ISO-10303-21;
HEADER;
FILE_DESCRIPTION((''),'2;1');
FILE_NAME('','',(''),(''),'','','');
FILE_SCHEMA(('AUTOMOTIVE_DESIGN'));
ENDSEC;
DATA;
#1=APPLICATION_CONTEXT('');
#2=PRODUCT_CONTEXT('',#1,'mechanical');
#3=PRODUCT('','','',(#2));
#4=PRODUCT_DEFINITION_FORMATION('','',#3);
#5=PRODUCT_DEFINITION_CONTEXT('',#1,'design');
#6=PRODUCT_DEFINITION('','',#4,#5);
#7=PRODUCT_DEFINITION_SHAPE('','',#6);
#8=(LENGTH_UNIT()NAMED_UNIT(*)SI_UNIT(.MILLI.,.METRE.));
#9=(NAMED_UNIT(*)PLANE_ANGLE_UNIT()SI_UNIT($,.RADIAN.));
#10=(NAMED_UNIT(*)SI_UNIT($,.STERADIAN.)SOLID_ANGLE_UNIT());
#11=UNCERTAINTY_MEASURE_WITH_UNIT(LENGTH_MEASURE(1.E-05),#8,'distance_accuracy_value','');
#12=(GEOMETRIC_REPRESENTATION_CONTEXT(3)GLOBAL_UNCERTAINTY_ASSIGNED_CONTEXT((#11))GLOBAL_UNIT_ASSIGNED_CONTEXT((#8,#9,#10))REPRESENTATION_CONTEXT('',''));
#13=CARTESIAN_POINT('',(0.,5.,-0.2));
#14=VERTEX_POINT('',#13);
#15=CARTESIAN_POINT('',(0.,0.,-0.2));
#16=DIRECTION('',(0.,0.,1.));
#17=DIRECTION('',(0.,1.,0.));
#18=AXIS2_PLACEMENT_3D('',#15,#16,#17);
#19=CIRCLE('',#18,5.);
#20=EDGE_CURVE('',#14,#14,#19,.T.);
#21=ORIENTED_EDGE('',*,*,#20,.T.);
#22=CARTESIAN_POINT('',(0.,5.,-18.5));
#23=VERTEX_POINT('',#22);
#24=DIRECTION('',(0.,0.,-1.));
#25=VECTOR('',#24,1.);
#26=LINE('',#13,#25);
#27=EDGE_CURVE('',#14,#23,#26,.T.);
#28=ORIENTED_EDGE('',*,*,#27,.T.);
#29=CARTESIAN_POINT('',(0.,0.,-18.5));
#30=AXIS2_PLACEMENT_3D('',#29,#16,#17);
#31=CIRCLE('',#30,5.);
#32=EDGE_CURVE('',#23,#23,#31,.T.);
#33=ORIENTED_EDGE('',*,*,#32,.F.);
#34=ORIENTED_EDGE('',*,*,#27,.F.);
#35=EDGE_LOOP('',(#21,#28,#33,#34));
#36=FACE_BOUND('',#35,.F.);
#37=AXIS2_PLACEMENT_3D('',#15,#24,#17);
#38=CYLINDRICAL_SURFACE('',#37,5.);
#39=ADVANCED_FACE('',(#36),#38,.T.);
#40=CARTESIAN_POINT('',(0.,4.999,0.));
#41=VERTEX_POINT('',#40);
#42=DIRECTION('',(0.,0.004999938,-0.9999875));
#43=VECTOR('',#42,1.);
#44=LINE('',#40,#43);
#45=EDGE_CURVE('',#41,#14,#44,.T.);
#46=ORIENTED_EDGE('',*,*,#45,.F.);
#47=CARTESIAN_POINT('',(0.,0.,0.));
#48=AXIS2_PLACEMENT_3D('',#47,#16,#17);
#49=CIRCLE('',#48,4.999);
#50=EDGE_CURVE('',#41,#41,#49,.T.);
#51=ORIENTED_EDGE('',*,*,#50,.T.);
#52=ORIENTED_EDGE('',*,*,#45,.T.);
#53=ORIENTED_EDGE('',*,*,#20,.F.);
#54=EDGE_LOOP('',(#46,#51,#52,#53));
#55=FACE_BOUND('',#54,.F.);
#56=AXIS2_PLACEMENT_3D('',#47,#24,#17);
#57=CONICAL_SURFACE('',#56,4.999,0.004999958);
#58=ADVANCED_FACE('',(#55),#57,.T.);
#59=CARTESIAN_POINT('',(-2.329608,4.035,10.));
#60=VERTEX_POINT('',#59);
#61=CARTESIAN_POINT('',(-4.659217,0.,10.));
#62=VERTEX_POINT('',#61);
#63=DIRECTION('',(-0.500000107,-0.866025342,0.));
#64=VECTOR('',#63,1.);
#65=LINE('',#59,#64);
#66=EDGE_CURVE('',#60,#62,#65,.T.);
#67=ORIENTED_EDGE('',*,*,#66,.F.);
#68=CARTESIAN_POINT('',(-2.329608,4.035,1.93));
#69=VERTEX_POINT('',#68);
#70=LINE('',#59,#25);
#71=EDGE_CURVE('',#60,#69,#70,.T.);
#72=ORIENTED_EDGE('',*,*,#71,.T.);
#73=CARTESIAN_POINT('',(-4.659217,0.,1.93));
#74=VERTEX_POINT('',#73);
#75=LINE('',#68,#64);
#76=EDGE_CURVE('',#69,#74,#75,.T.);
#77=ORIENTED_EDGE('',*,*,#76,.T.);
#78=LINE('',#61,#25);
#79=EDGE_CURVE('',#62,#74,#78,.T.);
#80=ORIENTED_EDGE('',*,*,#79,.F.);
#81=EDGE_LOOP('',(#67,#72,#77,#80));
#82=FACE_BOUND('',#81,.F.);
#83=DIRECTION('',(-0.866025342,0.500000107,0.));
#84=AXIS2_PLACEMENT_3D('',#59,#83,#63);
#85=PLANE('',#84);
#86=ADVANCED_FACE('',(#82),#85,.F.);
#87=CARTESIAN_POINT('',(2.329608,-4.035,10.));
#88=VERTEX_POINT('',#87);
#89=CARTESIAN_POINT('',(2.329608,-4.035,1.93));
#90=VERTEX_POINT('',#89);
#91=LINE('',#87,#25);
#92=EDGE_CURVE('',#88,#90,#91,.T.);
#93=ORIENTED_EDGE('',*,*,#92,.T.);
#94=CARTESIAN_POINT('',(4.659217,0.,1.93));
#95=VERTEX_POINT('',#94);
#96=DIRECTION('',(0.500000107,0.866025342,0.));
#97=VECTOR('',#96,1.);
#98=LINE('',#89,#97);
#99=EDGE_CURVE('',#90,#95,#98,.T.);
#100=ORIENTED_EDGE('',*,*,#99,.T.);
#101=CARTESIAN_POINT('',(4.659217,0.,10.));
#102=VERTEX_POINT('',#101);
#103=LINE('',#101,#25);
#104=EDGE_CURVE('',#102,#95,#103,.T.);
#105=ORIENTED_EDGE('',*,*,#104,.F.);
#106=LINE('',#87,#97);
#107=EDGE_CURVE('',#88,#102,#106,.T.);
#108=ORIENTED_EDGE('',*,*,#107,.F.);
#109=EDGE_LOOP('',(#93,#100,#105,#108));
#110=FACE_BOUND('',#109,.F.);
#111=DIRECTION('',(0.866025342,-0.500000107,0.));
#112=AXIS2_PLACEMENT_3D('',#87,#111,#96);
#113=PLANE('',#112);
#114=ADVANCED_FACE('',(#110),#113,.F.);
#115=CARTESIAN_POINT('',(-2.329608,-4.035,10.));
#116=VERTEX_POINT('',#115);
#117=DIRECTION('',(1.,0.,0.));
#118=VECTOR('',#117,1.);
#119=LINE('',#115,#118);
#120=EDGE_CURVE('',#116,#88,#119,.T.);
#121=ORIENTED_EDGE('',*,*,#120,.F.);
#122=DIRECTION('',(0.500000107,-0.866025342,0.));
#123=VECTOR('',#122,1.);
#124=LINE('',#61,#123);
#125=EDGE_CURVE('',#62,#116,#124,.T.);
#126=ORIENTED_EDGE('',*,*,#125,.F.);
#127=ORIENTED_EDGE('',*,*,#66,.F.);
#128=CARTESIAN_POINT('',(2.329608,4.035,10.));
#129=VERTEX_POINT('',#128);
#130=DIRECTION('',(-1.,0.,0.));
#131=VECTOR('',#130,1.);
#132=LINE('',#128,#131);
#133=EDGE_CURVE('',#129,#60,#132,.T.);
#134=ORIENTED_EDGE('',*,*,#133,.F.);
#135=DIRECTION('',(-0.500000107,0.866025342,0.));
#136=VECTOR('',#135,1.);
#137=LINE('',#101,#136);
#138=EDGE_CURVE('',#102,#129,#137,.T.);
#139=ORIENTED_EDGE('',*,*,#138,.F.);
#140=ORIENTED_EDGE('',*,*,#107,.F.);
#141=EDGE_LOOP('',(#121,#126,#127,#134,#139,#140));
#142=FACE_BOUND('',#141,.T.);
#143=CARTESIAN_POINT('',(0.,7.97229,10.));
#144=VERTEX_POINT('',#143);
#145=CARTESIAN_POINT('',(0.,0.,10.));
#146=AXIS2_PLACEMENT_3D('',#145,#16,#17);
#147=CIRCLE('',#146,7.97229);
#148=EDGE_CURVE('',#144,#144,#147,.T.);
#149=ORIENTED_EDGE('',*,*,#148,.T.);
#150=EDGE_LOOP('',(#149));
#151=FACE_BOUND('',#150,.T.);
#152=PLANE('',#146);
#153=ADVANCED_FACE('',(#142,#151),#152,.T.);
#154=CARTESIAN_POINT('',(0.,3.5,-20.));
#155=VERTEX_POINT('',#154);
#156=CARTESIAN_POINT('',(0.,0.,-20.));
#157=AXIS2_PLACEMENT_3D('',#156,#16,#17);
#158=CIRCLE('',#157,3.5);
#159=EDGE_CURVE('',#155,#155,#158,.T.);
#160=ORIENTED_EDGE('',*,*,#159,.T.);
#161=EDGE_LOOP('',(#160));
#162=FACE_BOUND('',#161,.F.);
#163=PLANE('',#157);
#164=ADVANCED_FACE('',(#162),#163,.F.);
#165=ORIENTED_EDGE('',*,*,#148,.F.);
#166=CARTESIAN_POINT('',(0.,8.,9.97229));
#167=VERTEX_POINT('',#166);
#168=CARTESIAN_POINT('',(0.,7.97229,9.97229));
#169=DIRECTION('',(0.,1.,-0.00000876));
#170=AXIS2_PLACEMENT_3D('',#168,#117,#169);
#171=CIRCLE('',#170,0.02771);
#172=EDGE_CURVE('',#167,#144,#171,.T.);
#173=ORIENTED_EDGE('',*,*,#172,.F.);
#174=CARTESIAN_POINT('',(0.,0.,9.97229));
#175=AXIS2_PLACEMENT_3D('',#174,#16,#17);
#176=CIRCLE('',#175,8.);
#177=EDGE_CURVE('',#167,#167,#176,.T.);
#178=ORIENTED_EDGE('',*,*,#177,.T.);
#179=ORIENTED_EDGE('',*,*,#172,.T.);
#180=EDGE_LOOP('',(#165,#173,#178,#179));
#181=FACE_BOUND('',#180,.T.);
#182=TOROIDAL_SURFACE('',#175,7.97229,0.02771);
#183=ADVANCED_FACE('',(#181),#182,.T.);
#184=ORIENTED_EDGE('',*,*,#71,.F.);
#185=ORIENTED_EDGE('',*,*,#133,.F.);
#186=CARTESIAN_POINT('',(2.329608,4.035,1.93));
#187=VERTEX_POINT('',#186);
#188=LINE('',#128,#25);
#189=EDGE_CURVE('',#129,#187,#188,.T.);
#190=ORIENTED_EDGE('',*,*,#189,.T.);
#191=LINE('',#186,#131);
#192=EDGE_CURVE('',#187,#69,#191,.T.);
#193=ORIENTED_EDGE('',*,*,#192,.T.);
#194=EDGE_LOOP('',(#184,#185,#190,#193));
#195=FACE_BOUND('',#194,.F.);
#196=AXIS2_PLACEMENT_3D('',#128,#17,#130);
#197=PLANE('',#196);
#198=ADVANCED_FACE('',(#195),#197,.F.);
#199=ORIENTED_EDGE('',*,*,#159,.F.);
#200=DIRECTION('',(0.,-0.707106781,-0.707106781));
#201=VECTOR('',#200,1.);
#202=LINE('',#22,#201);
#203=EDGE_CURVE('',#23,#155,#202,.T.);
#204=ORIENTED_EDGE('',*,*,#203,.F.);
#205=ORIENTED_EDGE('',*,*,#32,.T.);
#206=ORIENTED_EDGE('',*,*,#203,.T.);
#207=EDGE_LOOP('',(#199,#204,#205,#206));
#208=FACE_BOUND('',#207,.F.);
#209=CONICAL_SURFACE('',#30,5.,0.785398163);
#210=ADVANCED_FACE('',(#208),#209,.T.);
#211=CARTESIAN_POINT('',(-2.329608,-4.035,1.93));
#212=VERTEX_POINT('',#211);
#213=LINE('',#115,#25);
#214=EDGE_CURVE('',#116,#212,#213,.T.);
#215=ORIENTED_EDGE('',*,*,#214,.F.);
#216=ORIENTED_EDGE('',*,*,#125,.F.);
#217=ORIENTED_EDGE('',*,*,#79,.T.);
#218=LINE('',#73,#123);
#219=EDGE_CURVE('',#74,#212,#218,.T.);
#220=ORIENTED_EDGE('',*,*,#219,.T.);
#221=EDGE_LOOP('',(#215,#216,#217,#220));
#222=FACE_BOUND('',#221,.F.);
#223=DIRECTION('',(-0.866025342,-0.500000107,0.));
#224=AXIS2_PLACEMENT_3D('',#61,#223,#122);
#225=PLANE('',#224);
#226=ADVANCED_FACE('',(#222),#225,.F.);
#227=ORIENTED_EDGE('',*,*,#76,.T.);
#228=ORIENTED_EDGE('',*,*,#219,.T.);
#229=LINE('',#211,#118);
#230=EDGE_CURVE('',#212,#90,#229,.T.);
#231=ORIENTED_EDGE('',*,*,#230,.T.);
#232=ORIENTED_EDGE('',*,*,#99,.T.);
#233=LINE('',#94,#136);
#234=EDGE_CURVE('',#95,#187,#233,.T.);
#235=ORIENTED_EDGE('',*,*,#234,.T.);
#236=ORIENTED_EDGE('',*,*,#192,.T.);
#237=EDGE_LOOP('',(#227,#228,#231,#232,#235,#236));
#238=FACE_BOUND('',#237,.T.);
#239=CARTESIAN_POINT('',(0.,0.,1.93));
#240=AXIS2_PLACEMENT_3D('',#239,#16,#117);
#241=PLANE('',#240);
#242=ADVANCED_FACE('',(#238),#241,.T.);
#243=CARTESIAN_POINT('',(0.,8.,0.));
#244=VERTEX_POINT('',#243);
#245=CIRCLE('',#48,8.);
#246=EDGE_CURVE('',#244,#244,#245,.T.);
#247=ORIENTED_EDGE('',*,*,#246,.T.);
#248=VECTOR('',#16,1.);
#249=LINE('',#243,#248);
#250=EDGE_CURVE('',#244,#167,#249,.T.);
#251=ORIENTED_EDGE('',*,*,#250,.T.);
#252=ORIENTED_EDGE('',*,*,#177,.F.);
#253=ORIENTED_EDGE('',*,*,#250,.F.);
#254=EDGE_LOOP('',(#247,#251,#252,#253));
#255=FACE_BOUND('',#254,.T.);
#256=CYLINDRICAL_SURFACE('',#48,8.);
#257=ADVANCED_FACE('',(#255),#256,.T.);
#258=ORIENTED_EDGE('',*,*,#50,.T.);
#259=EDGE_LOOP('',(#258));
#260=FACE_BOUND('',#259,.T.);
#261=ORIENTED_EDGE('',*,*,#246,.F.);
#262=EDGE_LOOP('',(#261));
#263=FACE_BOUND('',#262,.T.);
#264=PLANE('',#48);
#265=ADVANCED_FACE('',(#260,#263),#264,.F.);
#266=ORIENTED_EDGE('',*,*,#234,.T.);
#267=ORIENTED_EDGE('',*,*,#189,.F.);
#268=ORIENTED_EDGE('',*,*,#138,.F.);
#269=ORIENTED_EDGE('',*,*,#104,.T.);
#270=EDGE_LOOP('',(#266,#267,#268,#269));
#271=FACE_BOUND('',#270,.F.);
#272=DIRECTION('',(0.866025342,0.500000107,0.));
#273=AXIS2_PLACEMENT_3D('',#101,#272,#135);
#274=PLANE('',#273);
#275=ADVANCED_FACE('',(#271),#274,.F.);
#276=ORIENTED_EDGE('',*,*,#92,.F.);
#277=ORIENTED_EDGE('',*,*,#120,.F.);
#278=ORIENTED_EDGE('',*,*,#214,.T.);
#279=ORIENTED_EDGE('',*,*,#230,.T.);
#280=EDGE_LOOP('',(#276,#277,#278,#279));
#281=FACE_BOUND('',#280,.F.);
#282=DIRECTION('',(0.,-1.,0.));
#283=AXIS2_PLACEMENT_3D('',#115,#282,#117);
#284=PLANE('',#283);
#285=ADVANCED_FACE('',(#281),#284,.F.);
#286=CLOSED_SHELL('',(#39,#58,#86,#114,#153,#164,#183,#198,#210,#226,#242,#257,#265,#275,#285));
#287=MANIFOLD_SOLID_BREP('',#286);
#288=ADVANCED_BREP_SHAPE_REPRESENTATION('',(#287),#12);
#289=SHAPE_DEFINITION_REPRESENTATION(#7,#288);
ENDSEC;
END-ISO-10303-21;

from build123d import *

# Parameters (mm, degrees)
POCKET_DEPTH = 8.07


with BuildPart() as part:
    # Sketch → Revolve (revolve)
    with BuildSketch(Plane.YZ):
        with BuildLine():
            Line((4.999, 0), (8, 0))
            Line((8, 0), (8, 9.97229))
            ThreePointArc((8, 9.97229), (7.991884, 9.991884), (7.97229, 10))
            Line((7.97229, 10), (0, 10))
            Line((0, -20), (0, 10))
            Line((3.5, -20), (0, -20))
            Line((5, -18.5), (3.5, -20))
            Line((5, -0.2), (5, -18.5))
            Line((4.999, 0), (5, -0.2))
        make_face()
    revolve(axis=Axis((0, 0, 0), (0, 0, 1)))

    # Sketch001 → Pocket (cut)
    with BuildSketch(Plane.XY.offset(10)):
        Polygon((4.659217, 0), (2.329608, 4.035), (-2.329608, 4.035), (-4.659217, 0), (-2.329608, -4.035), (2.329608, -4.035), align=None)
    extrude(amount=-POCKET_DEPTH, mode=Mode.SUBTRACT)


solid = part.part
